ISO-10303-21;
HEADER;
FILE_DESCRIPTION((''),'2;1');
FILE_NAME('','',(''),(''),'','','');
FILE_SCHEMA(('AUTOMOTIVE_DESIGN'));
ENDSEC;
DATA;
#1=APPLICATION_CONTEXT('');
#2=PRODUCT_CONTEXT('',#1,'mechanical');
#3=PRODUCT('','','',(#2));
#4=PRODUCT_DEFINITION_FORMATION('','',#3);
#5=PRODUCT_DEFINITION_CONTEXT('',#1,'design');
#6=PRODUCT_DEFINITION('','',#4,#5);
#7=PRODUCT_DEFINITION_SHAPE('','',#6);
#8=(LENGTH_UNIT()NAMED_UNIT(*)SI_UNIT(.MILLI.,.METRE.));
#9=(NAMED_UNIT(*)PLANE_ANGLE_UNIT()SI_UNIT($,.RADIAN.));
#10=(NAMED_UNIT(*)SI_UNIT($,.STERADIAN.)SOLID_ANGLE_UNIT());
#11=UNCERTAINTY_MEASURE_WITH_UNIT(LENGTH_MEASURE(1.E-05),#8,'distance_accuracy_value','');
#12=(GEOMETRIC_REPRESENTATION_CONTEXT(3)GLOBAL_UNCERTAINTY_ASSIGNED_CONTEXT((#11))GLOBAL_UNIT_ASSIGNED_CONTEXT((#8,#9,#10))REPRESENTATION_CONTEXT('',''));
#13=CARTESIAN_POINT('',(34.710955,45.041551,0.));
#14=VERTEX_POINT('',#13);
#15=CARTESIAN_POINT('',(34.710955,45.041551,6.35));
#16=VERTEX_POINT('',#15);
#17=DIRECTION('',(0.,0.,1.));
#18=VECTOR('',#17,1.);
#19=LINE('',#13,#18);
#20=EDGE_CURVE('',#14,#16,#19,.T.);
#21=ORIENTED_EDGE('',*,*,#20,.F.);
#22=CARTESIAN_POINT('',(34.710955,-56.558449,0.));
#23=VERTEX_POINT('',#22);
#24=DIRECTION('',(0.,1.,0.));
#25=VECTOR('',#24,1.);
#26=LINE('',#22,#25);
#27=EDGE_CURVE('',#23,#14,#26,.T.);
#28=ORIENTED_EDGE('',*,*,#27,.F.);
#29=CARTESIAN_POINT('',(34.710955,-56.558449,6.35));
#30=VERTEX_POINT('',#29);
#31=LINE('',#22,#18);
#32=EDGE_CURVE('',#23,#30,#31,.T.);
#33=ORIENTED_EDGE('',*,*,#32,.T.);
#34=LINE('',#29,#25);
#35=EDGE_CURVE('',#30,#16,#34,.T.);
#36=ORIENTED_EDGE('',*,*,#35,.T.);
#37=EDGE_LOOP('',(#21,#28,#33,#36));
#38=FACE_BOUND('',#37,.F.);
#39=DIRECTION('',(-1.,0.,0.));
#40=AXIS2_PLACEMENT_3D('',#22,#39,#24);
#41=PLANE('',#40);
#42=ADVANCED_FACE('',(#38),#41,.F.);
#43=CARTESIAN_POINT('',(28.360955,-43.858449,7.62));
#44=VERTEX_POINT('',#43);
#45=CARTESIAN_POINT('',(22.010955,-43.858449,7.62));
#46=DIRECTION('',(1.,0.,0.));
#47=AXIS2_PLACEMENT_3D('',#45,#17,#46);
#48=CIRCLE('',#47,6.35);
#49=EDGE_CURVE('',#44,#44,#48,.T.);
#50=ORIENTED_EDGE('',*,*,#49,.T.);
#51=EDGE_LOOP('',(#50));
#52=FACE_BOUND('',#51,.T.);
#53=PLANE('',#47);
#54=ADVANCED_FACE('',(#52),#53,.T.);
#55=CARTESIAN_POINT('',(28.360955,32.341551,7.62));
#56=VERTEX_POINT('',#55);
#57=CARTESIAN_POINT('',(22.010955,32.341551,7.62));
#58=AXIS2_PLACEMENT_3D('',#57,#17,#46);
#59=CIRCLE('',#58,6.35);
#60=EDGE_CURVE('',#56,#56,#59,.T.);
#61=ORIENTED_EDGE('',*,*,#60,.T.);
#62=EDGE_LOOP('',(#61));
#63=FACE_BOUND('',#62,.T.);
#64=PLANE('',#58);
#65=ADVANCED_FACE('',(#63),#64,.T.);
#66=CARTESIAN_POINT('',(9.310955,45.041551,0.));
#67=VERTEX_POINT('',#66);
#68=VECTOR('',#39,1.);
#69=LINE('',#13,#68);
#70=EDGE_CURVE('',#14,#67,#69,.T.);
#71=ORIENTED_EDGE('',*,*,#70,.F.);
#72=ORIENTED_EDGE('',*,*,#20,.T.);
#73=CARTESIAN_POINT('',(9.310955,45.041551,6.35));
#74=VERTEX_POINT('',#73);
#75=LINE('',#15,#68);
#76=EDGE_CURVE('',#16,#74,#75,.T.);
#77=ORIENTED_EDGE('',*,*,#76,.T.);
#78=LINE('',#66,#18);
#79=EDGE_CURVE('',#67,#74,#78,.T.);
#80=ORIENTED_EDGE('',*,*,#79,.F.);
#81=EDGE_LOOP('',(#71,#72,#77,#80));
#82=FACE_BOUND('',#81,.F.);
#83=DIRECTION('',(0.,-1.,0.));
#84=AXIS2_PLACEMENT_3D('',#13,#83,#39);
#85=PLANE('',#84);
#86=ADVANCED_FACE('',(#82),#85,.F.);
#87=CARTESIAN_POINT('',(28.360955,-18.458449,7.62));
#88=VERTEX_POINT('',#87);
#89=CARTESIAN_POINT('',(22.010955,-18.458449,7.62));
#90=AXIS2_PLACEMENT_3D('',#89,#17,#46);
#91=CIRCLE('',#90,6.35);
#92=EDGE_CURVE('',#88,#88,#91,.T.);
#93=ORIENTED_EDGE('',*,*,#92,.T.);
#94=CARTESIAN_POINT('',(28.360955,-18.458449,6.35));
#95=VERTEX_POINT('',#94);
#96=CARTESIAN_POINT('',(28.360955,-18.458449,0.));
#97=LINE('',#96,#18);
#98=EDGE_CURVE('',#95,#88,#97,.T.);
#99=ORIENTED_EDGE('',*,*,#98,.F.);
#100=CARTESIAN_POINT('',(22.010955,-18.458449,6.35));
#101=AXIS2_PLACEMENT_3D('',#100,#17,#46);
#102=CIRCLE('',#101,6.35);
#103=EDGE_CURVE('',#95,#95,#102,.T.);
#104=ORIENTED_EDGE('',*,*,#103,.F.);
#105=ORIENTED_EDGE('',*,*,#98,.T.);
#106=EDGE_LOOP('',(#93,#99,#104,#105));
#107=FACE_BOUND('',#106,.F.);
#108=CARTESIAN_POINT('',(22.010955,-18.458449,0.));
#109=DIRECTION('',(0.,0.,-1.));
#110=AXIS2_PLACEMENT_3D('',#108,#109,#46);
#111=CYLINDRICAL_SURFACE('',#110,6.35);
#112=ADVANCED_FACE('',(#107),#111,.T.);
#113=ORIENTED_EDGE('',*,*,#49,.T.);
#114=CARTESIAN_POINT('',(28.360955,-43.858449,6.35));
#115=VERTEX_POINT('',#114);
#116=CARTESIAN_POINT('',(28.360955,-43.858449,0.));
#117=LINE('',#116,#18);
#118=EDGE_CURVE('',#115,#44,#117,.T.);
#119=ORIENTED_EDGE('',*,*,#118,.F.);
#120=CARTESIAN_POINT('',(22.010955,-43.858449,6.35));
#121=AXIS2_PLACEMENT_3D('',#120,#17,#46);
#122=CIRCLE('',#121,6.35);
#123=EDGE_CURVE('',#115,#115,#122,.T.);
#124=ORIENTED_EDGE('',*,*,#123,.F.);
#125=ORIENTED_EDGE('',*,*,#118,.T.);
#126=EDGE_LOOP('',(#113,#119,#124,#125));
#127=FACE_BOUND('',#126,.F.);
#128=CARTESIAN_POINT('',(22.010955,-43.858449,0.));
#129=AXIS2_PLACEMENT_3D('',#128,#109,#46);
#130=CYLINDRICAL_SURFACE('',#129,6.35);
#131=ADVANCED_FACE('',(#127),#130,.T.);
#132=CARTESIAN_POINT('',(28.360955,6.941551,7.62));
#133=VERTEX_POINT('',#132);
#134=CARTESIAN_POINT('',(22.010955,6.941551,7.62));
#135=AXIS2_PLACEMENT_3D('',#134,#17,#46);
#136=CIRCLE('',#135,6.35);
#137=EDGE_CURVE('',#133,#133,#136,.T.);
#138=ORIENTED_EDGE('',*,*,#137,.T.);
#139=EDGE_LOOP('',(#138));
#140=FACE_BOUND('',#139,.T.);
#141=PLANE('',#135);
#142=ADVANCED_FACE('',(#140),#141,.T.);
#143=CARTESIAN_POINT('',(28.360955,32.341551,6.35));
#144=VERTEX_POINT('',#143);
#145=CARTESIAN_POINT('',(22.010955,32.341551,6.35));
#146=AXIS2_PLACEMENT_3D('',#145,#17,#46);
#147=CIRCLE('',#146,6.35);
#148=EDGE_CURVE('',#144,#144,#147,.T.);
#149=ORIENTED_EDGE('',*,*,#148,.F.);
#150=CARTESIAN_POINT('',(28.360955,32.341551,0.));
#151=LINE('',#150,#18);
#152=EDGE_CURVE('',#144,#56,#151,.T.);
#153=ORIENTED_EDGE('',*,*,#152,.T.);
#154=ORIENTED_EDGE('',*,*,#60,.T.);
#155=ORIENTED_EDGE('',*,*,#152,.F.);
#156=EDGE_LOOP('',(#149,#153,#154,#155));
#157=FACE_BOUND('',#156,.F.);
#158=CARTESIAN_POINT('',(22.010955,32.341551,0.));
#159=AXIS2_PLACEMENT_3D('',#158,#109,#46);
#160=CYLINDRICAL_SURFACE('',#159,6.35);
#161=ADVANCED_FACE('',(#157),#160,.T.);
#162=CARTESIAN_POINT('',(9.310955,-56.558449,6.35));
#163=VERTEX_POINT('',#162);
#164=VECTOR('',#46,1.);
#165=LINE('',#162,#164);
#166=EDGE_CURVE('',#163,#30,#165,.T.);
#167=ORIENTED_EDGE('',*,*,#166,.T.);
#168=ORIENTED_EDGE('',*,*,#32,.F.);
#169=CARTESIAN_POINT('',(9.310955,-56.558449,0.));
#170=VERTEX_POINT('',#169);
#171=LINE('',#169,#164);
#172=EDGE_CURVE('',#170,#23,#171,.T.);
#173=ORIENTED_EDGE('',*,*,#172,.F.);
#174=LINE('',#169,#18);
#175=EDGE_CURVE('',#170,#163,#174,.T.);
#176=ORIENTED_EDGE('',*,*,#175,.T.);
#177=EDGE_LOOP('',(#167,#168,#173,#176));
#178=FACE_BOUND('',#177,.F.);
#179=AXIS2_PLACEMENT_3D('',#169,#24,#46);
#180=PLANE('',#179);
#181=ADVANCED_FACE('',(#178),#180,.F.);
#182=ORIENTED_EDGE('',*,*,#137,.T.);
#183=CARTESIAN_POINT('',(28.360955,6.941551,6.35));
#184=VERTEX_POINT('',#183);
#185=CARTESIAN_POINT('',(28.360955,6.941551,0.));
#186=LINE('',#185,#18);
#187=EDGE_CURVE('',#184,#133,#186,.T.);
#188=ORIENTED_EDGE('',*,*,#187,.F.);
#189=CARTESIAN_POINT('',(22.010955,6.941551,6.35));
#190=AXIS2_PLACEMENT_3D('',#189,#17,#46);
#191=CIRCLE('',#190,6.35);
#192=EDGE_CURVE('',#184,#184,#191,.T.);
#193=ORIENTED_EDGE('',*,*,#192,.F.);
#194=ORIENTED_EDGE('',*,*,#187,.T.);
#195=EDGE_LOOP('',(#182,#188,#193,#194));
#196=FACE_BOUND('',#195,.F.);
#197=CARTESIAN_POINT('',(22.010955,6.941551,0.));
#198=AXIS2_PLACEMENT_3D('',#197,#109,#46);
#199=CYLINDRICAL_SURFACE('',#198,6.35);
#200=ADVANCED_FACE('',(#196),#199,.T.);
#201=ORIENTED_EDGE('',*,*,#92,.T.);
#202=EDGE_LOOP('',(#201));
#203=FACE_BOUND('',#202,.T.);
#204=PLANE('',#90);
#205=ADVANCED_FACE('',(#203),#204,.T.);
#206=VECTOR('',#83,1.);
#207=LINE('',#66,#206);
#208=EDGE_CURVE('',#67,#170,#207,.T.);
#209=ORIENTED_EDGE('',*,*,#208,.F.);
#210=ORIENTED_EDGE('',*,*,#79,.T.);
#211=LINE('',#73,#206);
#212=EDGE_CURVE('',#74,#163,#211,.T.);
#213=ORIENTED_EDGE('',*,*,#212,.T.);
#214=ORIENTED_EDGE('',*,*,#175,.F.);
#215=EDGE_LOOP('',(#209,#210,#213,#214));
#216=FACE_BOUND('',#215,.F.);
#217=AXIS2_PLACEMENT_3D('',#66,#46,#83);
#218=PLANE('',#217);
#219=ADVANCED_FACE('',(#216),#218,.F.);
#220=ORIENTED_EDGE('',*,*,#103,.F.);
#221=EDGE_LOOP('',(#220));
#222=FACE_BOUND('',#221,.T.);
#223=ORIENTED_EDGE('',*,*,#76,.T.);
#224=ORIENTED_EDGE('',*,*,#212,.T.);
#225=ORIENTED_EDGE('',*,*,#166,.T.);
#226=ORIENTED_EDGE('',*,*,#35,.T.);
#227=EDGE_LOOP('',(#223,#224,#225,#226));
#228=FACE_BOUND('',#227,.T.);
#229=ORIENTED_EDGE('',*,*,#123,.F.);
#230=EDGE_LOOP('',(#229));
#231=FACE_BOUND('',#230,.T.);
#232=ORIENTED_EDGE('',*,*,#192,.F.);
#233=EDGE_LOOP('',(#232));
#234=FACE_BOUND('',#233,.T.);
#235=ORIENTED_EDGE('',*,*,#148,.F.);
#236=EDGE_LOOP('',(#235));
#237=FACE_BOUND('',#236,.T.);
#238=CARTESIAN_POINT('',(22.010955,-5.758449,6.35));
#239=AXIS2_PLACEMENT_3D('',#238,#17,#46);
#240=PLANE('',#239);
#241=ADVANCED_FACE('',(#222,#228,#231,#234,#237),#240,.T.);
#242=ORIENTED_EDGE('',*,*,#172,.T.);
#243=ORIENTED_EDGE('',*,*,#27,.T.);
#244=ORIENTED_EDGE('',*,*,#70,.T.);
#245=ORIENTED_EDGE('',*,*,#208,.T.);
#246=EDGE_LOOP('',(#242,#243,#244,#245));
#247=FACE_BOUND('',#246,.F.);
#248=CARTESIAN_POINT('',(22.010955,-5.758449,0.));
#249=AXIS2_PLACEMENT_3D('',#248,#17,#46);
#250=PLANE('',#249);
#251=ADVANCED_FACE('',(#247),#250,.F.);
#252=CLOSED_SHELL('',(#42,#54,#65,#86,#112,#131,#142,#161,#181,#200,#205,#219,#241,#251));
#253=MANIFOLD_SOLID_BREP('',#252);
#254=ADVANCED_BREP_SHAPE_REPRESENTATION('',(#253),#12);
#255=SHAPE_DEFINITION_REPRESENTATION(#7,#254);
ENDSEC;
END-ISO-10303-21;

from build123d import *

# Parameters (mm, degrees)
F0_R     = 6.35
F1_DEPTH = 6.35
F2_DEPTH = 7.62


with BuildPart() as f1:
    # F0 (on Top) → F1 (new body)
    with BuildSketch(Plane.XY):
        Polygon((34.710955, 45.041551), (9.310955, 45.041551), (9.310955, 32.341551), (9.310955, 6.941551), (9.310955, -18.458449), (9.310955, -43.858449), (9.310955, -56.558449), (34.710955, -56.558449), align=None)
        with Locations((22.010955, -43.858449)):
            Circle(F0_R, mode=Mode.SUBTRACT)
        with Locations((22.010955, -18.458449)):
            Circle(F0_R, mode=Mode.SUBTRACT)
        with Locations((22.010955, 6.941551)):
            Circle(F0_R, mode=Mode.SUBTRACT)
        with Locations((22.010955, 32.341551)):
            Circle(F0_R, mode=Mode.SUBTRACT)
    extrude(amount=F1_DEPTH)

    # F0 (on Top) → F2 (join)
    with BuildSketch(Plane.XY):
        with Locations((22.010955, -18.458449)):
            Circle(F0_R)
        with Locations((22.010955, -43.858449)):
            Circle(F0_R)
        with Locations((22.010955, 6.941551)):
            Circle(F0_R)
        with Locations((22.010955, 32.341551)):
            Circle(F0_R)
    extrude(amount=F2_DEPTH)


solid = f1.part
